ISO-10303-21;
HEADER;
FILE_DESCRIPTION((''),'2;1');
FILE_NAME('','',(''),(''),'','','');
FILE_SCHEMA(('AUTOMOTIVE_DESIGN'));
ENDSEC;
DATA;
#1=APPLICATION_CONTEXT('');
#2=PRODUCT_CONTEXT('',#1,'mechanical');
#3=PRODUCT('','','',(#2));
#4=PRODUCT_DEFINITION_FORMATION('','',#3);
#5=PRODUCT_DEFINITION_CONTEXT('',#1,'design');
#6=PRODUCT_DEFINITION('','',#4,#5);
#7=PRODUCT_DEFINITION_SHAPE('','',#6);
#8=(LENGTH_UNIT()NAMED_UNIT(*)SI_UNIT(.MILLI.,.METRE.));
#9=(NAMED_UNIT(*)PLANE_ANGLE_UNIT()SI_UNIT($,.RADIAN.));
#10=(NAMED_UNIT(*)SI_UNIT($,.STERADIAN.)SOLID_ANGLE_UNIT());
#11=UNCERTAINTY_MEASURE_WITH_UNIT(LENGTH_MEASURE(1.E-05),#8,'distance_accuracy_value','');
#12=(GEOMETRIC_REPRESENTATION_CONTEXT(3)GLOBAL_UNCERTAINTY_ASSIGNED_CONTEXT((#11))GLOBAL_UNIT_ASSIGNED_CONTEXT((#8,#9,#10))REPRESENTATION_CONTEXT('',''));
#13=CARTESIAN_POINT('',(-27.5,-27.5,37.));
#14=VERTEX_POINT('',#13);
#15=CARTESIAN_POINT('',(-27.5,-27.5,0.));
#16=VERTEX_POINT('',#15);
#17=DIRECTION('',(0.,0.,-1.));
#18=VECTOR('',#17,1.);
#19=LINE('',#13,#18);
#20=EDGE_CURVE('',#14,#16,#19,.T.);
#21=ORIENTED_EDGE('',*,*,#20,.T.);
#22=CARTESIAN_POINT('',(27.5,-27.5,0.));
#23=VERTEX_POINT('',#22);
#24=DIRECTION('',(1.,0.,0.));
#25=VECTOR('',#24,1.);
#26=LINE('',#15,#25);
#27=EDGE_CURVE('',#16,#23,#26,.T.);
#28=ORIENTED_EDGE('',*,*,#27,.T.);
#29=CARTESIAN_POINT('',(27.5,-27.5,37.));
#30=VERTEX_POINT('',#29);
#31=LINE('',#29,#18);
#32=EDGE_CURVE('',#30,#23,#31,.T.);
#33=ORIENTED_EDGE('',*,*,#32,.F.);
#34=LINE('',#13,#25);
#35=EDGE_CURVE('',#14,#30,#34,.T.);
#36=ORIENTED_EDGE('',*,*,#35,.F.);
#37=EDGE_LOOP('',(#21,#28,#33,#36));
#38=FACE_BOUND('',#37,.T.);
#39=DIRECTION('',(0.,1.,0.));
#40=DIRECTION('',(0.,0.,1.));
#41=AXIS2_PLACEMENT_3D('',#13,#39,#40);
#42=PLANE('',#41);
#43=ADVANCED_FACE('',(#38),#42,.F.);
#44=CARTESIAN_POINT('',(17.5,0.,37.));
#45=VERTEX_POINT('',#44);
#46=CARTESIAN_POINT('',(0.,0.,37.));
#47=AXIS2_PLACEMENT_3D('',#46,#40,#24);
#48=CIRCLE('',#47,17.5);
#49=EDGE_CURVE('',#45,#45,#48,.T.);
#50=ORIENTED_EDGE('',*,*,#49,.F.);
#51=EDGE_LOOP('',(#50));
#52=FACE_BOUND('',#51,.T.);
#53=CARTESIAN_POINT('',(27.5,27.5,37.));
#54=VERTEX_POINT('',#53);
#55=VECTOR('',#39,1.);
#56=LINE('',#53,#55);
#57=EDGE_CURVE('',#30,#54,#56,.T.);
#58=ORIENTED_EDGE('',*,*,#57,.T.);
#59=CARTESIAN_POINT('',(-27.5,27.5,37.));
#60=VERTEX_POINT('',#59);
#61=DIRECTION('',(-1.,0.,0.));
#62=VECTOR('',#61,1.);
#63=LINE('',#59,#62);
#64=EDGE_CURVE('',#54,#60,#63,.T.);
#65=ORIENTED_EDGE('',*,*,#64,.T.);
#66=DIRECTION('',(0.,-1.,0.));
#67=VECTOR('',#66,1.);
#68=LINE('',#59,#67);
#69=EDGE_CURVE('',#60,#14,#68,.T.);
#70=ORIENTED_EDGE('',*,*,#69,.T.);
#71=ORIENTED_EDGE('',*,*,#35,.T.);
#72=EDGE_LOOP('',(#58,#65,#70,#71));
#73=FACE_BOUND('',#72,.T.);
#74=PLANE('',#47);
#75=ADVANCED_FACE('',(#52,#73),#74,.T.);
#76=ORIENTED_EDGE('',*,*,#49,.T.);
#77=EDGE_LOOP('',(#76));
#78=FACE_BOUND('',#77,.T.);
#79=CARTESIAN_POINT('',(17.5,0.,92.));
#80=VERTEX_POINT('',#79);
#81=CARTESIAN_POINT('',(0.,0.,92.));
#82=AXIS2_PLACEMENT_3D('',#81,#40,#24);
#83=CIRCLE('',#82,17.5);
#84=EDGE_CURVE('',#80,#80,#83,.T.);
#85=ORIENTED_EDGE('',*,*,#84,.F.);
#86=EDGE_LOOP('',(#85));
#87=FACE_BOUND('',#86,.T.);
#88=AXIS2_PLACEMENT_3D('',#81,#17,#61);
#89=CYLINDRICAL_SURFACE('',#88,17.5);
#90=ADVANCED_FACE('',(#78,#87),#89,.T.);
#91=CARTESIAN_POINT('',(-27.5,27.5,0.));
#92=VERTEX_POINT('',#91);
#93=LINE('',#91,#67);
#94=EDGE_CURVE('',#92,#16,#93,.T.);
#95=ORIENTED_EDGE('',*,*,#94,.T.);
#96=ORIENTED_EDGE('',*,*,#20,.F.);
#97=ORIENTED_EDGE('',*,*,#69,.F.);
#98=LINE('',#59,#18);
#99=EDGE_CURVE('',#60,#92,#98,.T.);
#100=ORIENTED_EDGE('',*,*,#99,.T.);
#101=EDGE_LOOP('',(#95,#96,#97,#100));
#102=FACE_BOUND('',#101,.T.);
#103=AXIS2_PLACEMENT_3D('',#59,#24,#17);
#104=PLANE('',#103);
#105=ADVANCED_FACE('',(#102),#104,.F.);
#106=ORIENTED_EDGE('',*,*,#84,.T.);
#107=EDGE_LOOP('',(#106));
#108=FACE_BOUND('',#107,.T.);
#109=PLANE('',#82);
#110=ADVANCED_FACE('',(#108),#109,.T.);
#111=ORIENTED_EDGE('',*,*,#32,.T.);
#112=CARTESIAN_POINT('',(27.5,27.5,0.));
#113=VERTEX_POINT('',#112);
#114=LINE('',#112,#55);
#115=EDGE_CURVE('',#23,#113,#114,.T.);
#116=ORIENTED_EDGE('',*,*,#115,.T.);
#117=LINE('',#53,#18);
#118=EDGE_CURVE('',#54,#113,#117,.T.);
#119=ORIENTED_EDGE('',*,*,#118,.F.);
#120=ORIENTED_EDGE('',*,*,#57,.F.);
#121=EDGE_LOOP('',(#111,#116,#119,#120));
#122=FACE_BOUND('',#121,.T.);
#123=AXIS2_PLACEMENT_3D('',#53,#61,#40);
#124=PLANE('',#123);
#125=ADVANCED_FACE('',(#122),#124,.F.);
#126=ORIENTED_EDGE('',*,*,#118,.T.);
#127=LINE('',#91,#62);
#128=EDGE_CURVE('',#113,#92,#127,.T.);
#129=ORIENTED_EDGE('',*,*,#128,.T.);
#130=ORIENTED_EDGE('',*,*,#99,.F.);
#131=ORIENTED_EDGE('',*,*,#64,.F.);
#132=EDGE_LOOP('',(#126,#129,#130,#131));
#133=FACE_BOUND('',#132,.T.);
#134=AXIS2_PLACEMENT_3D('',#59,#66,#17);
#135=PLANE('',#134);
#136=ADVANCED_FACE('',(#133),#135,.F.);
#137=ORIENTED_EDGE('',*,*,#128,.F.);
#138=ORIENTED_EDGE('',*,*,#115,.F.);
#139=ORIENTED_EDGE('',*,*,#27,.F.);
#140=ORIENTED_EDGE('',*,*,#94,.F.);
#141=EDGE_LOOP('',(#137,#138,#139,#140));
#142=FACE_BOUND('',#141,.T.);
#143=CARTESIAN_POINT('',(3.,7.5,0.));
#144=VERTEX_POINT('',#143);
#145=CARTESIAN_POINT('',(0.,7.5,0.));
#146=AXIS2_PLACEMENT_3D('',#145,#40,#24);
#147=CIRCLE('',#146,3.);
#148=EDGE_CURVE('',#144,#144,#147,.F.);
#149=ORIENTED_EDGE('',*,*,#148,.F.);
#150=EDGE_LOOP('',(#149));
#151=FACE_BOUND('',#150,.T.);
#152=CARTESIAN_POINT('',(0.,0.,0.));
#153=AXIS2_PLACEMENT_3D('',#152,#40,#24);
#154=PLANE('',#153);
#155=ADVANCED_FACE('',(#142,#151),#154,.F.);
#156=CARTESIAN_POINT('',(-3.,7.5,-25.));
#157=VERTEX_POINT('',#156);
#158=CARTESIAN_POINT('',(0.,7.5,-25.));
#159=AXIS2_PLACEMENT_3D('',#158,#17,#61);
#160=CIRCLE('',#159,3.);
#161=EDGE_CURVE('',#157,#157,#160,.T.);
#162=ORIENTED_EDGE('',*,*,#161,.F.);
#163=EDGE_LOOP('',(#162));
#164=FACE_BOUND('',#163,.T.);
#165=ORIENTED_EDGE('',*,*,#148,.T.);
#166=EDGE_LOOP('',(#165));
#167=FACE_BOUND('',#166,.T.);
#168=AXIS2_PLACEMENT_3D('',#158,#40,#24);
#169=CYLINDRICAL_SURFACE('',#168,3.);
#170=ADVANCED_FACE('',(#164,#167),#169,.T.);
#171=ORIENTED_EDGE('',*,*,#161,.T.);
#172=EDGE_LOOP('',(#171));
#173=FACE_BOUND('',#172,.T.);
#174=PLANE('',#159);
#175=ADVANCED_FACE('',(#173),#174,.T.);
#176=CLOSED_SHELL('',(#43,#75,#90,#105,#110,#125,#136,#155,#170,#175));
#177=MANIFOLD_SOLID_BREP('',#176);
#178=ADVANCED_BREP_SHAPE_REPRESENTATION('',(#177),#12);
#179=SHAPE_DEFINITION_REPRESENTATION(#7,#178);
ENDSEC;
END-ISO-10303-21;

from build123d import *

# Parameters (mm, degrees)
SKETCH1_W           = 55
SKETCH1_H           = 55
BOSS_EXTRUDE1_DEPTH = 37
SKETCH2_R           = 17.5
BOSS_EXTRUDE2_DEPTH = 55
SKETCH3_R           = 3
BOSS_EXTRUDE3_DEPTH = 25


with BuildPart() as part:
    # Sketch1 → Boss-Extrude1 (new body)
    with BuildSketch(Plane.XY):
        Rectangle(SKETCH1_W, SKETCH1_H)
    extrude(amount=BOSS_EXTRUDE1_DEPTH)

    # Sketch2 → Boss-Extrude2 (add)
    with BuildSketch(Plane.XY.offset(37)):
        Circle(SKETCH2_R)
    extrude(amount=BOSS_EXTRUDE2_DEPTH)

    # Sketch3 → Boss-Extrude3 (add)
    with BuildSketch(Plane(origin=(0, 0, 0), x_dir=(-1, 0, 0), z_dir=(0, 0, -1))):
        with Locations(Location((0, 7.5, 0), (0, 0, 180))):
            Circle(SKETCH3_R)
    extrude(amount=BOSS_EXTRUDE3_DEPTH)


solid = part.part
